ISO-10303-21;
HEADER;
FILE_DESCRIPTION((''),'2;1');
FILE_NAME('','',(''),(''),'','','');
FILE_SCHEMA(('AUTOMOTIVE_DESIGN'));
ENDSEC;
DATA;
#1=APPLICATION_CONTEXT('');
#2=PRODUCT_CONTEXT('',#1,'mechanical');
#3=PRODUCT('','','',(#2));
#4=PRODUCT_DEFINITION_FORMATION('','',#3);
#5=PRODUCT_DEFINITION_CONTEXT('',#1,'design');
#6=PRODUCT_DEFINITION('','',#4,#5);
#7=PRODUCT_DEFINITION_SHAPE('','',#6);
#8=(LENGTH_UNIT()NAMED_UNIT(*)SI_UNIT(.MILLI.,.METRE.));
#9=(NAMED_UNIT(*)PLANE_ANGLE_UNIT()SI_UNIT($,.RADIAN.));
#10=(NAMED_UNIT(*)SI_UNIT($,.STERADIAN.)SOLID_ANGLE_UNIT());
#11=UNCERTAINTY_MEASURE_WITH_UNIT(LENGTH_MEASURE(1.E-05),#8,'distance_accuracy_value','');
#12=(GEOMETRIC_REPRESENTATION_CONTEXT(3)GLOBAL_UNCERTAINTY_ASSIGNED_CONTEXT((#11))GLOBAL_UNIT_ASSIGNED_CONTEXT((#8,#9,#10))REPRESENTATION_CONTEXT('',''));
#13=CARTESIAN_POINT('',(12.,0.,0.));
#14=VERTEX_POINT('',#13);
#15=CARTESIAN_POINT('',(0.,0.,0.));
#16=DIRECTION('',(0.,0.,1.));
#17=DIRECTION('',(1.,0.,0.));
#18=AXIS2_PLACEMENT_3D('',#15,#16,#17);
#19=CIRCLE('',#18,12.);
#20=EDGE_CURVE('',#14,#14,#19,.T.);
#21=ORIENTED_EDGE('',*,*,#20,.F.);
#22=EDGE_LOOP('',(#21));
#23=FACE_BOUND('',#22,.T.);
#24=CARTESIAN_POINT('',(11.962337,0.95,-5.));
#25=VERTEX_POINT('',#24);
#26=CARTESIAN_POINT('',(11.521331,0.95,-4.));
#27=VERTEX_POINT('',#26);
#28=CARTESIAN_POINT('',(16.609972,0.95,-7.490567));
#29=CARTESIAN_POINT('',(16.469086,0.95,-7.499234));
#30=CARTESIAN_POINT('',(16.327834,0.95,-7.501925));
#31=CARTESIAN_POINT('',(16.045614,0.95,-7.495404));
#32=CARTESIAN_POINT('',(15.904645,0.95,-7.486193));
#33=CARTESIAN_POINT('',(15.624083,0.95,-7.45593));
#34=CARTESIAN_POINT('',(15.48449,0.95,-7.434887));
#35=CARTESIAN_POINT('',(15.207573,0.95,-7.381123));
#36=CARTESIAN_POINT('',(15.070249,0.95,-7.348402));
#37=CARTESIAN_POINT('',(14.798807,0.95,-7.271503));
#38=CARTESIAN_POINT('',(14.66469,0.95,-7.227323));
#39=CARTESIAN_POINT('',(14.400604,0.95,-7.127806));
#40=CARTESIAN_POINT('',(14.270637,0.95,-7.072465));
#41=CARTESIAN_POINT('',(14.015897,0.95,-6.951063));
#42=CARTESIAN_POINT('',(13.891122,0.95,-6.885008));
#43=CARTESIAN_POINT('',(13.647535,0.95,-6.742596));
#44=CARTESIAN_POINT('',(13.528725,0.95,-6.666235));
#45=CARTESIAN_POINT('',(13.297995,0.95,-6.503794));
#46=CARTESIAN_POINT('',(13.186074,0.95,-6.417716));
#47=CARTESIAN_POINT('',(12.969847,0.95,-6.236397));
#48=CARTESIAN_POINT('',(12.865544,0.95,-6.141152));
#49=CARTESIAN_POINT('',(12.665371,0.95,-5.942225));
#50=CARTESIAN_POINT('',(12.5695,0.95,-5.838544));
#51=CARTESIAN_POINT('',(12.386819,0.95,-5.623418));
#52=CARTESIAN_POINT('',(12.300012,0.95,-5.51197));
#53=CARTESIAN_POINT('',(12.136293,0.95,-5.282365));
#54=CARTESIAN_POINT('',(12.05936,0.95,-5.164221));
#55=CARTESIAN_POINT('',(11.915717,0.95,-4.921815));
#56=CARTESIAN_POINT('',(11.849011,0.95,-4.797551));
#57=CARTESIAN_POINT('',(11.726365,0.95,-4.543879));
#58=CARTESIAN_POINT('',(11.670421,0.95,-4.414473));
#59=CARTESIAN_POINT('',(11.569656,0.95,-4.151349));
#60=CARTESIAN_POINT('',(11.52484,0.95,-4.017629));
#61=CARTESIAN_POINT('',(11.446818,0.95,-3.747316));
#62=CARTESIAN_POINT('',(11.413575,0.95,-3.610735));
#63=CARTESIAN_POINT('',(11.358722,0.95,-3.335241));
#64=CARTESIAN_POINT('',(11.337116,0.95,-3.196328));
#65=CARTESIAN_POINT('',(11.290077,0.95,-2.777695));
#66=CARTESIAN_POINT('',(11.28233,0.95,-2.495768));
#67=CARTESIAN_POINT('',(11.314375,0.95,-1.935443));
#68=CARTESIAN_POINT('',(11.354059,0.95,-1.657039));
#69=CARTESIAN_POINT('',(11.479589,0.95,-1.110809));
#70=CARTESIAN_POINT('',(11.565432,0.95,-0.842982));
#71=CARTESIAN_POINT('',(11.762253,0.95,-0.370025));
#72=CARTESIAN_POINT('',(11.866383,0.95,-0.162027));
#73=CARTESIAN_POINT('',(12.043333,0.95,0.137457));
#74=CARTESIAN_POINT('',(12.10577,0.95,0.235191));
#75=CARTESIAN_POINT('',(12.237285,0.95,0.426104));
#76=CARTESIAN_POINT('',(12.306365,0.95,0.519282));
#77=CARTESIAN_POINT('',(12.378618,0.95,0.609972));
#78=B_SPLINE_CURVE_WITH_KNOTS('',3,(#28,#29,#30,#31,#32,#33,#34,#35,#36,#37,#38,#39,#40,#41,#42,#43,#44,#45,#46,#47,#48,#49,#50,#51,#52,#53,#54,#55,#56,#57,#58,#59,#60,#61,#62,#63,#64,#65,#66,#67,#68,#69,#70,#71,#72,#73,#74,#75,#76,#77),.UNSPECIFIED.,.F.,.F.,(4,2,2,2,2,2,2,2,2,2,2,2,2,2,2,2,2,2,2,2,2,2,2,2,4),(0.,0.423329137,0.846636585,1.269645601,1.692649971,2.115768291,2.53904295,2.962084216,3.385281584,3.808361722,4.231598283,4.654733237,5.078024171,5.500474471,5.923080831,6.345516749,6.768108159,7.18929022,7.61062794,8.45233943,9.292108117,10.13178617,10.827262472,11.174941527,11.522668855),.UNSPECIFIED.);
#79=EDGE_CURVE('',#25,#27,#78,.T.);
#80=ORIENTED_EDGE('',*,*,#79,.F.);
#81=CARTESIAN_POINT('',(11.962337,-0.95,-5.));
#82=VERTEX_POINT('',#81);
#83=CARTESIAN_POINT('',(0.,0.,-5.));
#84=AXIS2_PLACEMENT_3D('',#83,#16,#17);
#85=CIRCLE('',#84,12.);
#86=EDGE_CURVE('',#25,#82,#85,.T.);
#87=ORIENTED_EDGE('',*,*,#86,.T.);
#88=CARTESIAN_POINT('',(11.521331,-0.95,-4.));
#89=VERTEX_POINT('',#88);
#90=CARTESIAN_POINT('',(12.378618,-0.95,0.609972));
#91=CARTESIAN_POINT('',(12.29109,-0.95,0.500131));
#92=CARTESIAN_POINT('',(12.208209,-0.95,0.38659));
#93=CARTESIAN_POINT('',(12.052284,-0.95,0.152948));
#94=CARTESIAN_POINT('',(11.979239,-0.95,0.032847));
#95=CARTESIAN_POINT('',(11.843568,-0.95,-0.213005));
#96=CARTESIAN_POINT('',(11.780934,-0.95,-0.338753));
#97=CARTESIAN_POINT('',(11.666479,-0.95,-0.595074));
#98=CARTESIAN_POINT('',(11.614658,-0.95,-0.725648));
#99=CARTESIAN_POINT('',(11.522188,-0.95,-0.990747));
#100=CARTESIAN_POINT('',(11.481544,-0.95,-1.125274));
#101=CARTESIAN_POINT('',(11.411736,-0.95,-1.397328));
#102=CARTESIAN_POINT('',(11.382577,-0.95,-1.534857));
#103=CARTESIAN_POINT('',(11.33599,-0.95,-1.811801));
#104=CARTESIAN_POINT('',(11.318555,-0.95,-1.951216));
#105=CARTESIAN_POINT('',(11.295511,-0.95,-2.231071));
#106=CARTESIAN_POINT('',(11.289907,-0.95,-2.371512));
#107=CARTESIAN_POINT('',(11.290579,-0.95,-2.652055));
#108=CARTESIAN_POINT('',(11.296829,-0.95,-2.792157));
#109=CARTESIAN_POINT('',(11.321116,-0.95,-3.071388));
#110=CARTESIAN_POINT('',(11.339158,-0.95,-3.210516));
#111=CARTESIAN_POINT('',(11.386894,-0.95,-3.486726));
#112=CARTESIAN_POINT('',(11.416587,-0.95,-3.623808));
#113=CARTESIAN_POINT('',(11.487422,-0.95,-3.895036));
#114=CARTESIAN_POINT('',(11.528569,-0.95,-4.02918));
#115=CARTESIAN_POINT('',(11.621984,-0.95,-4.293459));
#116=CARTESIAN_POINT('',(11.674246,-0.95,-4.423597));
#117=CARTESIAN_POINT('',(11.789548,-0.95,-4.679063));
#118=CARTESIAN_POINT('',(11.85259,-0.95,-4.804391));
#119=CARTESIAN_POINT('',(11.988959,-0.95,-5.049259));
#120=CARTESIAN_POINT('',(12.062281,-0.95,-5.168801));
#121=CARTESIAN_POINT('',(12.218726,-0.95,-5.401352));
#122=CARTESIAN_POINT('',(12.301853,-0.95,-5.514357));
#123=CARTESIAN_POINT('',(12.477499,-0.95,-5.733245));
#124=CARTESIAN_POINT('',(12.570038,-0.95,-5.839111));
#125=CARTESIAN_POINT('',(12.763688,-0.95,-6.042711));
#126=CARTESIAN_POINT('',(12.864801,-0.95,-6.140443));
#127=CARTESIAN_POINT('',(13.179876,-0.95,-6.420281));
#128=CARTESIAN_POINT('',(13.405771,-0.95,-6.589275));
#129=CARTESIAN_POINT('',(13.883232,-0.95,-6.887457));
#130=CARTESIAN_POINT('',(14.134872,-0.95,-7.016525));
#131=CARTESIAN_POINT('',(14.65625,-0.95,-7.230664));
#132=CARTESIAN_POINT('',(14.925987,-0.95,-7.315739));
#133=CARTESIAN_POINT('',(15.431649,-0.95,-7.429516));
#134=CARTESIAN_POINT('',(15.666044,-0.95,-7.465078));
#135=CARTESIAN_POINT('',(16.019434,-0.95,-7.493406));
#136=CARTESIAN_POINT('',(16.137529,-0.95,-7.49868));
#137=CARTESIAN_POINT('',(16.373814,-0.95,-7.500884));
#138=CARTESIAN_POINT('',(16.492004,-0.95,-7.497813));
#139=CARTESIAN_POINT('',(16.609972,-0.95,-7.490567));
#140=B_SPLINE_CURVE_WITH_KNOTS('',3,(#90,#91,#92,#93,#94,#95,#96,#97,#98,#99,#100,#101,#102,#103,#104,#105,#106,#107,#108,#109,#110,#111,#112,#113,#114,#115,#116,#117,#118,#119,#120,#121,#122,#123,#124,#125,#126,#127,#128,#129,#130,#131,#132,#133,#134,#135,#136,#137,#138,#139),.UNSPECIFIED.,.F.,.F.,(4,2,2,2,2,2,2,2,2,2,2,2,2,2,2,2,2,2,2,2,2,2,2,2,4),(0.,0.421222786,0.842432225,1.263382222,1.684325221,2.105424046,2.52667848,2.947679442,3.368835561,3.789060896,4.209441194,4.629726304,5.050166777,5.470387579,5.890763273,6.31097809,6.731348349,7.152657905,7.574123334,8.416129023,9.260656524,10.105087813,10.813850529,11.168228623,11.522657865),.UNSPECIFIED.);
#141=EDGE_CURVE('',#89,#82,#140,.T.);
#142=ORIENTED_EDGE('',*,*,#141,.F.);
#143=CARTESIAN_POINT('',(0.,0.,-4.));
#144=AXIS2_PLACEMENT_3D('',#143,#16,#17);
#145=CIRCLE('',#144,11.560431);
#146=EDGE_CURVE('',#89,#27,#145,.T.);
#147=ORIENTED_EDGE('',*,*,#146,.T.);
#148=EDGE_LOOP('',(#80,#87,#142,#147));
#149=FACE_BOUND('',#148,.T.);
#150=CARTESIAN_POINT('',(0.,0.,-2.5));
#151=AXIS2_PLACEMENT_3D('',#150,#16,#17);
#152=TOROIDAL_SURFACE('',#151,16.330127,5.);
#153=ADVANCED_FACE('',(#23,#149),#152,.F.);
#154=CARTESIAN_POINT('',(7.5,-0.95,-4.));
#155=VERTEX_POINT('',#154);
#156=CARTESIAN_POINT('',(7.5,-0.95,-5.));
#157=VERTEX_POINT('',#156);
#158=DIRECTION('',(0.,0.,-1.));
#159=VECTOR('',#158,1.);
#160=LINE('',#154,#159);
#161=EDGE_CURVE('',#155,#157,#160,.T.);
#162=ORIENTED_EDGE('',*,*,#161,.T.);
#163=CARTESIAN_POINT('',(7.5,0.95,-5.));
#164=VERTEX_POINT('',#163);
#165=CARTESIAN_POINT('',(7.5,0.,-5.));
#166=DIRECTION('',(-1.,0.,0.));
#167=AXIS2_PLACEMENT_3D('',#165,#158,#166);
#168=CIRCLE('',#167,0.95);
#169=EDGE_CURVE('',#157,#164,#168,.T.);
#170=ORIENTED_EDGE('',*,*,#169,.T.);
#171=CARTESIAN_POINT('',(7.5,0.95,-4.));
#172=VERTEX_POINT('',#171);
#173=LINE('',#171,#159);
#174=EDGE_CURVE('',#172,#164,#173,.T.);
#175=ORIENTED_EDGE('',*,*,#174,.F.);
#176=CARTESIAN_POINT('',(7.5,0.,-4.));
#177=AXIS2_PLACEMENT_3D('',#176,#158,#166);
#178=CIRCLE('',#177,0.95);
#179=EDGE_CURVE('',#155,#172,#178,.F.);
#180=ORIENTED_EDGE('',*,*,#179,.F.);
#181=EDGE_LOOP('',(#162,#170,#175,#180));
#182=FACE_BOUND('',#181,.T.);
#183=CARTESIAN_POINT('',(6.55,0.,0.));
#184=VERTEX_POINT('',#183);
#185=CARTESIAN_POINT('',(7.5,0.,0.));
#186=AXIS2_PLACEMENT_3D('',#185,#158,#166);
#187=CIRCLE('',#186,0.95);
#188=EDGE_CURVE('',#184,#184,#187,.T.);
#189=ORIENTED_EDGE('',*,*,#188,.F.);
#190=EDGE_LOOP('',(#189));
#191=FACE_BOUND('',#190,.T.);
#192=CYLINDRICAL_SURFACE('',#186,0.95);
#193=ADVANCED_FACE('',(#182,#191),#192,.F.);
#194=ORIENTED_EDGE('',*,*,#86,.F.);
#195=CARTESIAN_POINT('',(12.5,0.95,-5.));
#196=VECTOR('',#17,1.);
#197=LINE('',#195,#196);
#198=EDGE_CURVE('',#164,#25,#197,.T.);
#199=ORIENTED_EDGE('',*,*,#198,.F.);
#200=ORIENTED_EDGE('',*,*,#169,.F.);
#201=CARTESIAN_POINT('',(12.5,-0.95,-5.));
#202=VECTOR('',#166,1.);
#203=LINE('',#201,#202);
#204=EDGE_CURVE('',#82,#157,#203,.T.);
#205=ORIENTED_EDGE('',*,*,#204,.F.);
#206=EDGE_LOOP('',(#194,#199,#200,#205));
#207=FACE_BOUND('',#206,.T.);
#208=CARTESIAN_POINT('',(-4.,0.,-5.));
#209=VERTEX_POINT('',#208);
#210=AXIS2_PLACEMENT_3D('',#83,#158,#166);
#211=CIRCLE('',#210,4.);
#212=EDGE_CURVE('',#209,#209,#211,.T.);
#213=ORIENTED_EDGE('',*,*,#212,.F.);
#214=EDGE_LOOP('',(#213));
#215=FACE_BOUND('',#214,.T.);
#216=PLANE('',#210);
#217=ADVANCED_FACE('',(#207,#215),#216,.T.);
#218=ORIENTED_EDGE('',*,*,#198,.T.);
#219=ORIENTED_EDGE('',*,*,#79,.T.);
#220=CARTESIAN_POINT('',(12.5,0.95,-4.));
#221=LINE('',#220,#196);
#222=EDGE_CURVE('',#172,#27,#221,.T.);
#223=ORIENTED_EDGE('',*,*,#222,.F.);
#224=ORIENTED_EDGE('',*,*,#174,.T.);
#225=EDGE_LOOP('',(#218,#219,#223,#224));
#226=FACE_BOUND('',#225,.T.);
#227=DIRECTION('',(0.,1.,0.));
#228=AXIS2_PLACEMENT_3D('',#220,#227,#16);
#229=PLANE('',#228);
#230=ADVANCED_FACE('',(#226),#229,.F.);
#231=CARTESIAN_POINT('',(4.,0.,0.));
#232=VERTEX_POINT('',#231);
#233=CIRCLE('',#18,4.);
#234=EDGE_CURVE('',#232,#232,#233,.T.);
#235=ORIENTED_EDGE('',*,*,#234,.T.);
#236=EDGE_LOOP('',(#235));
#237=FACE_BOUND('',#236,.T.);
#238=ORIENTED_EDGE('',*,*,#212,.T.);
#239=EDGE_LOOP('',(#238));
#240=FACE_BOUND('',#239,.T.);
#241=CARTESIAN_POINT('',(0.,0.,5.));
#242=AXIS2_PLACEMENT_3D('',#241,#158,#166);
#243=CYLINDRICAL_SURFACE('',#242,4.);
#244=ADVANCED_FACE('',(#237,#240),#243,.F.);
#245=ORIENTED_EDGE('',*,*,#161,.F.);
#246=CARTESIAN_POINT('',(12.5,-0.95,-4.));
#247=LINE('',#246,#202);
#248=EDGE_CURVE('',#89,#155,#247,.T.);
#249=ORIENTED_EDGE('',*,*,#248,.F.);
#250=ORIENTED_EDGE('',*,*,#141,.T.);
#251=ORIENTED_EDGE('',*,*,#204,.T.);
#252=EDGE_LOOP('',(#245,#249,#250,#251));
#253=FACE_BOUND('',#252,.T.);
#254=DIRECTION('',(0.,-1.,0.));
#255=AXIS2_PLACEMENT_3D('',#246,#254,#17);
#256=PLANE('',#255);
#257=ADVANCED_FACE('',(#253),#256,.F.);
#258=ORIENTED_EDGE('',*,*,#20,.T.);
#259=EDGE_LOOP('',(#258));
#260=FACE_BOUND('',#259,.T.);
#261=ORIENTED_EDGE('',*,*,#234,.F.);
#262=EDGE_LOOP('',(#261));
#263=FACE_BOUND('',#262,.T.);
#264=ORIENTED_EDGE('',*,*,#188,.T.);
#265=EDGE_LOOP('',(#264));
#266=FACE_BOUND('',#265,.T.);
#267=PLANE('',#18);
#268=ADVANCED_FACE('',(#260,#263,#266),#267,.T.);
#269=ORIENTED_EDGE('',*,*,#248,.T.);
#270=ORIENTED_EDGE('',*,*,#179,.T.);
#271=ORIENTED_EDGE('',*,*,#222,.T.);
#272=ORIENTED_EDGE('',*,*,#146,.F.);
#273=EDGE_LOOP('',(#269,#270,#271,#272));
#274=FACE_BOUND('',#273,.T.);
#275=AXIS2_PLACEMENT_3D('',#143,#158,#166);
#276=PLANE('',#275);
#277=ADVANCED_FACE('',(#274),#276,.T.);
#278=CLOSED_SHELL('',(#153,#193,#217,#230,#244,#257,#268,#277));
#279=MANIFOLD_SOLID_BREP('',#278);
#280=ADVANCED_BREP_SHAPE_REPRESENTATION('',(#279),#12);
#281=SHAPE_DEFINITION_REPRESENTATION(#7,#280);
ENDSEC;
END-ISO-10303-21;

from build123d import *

# Parameters (mm, degrees)
ESQUISSE2_R             = 4
ENL_V_MAT_EXTRU_1_DEPTH = 10
ESQUISSE3_R             = 0.95
ENL_V_MAT_EXTRU_2_DEPTH = 5
ESQUISSE5_W             = 5
ESQUISSE5_H             = 1.9
ENL_V_MAT_EXTRU_4_DEPTH = 1


with BuildPart() as part:
    # Esquisse1 → Révolution1 (revolve)
    with BuildSketch(Plane(origin=(0, 0, 0), x_dir=(1, 0, 0), z_dir=(0, 1, 0))):
        with BuildLine():
            Line((0, 0), (0, 5))
            Line((0, 5), (12, 5))
            ThreePointArc((12, 5), (11.330127019, 2.5), (12, 0))
            Line((12, 0), (0, 0))
        make_face()
    revolve(axis=Axis((0, 0, 0), (0, 0, -1)))

    # Esquisse2 → Enlèv. mat.-Extru.1 (cut)
    with BuildSketch(Plane(origin=(0, 0, -5), x_dir=(-1, 0, 0), z_dir=(0, 0, -1))):
        Circle(ESQUISSE2_R)
    extrude(amount=-ENL_V_MAT_EXTRU_1_DEPTH, mode=Mode.SUBTRACT)

    # Esquisse3 → Enlèv. mat.-Extru.2 (cut)
    with BuildSketch(Plane(origin=(0, 0, -5), x_dir=(-1, 0, 0), z_dir=(0, 0, -1))):
        with Locations((-7.5, 0)):
            Circle(ESQUISSE3_R)
    extrude(amount=-ENL_V_MAT_EXTRU_2_DEPTH, mode=Mode.SUBTRACT)

    # Esquisse5 → Enlèv. mat.-Extru.4 (cut)
    with BuildSketch(Plane(origin=(0, 0, -5), x_dir=(-1, 0, 0), z_dir=(0, 0, -1))):
        with Locations((-10, 0)):
            Rectangle(ESQUISSE5_W, ESQUISSE5_H)
    extrude(amount=-ENL_V_MAT_EXTRU_4_DEPTH, mode=Mode.SUBTRACT)


solid = part.part
